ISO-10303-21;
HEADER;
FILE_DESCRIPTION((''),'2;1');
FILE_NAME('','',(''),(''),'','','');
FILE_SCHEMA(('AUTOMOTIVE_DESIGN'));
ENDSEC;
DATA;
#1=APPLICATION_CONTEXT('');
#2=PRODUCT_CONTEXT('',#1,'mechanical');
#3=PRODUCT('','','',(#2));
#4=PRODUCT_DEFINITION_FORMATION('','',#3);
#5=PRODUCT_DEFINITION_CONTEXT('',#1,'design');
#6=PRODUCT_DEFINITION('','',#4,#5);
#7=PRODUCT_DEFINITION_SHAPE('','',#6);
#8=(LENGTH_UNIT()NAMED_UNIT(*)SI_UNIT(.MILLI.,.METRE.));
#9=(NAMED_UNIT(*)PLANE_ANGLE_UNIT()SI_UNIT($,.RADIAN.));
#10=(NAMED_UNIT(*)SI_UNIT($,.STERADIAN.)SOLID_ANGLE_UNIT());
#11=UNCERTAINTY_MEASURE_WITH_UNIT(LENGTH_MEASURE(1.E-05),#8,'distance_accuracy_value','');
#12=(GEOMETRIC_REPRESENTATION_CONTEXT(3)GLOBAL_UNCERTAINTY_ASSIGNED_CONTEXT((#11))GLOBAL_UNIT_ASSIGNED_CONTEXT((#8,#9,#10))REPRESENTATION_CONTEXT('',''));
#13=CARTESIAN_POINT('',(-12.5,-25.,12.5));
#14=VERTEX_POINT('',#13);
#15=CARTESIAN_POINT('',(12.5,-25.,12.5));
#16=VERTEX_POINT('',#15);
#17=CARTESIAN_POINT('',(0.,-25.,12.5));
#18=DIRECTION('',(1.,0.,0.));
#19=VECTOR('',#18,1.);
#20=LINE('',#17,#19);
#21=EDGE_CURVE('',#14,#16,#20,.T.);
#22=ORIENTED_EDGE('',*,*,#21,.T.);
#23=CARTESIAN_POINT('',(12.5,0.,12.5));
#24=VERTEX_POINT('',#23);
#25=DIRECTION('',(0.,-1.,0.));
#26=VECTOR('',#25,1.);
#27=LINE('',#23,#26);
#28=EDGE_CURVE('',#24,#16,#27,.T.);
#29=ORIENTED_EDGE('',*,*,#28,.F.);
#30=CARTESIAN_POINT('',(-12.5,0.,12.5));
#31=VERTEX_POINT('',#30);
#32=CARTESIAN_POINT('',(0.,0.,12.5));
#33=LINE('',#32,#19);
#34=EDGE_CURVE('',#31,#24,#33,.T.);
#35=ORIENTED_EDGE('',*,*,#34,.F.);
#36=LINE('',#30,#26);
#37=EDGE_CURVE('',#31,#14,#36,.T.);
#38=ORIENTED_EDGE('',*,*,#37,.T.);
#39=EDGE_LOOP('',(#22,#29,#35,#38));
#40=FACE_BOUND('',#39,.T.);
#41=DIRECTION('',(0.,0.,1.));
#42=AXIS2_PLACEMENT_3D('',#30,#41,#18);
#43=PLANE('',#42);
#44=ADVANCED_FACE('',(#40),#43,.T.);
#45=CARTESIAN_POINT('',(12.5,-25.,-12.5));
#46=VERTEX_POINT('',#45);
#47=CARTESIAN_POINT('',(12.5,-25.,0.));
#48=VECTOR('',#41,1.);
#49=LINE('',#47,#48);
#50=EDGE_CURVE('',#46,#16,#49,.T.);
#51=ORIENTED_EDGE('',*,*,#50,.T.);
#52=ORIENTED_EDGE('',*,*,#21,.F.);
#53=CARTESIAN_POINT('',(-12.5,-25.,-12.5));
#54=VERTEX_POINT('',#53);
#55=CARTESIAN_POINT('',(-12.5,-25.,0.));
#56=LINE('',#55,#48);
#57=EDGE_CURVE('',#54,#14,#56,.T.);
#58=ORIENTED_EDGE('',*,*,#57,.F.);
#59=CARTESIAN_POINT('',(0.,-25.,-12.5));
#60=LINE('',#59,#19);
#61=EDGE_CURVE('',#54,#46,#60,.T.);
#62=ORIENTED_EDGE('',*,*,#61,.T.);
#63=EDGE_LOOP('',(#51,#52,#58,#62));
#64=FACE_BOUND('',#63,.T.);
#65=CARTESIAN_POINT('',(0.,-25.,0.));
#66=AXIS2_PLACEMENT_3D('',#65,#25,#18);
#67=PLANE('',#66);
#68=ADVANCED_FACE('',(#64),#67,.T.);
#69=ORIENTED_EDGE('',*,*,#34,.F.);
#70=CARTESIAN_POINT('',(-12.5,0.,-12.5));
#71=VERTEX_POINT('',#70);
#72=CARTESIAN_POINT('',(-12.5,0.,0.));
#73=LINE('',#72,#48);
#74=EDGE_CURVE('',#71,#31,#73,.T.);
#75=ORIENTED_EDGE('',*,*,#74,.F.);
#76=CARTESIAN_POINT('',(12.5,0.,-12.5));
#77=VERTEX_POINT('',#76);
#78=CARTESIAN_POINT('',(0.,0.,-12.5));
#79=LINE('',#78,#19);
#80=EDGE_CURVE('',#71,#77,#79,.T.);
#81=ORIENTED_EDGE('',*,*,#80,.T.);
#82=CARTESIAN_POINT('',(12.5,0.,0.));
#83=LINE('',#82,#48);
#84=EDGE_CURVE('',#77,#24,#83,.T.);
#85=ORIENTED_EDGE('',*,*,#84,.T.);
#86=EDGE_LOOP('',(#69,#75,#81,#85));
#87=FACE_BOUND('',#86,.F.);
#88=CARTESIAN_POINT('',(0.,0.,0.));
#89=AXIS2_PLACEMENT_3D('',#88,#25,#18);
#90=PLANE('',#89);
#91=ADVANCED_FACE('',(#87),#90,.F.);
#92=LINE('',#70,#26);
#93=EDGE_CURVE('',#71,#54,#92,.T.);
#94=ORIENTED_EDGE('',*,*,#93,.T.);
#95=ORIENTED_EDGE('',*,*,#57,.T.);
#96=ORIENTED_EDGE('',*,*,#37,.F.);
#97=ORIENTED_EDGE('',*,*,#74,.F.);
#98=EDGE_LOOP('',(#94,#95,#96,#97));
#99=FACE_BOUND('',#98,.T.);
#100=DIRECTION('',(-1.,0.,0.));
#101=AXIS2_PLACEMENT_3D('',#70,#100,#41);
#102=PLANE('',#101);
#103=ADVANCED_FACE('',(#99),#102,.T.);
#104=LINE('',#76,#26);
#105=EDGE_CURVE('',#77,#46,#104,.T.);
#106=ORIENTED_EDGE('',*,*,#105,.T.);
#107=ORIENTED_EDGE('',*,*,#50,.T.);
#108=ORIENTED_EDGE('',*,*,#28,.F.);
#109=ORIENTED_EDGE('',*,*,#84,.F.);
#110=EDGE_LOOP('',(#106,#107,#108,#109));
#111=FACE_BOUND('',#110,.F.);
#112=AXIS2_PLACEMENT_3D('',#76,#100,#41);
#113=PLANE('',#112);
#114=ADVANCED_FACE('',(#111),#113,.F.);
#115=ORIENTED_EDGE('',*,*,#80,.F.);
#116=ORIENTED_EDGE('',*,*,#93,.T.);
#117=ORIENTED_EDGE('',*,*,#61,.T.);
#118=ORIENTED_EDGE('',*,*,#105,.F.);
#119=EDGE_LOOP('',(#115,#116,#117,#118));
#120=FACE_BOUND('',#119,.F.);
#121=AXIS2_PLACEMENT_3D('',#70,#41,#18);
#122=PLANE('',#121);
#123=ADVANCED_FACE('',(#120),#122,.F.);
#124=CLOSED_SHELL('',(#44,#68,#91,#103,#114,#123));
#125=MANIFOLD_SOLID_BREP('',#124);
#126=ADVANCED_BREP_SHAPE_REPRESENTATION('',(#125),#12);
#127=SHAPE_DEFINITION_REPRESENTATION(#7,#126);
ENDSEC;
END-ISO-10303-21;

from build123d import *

# Parameters (mm, degrees)
SKETCH_W  = 25
SKETCH_H  = 25
PAD_DEPTH = 25


with BuildPart() as part:
    # Sketch → Pad (new body)
    with BuildSketch(Plane.XZ):
        Rectangle(SKETCH_W, SKETCH_H)
    extrude(amount=PAD_DEPTH)


solid = part.part
